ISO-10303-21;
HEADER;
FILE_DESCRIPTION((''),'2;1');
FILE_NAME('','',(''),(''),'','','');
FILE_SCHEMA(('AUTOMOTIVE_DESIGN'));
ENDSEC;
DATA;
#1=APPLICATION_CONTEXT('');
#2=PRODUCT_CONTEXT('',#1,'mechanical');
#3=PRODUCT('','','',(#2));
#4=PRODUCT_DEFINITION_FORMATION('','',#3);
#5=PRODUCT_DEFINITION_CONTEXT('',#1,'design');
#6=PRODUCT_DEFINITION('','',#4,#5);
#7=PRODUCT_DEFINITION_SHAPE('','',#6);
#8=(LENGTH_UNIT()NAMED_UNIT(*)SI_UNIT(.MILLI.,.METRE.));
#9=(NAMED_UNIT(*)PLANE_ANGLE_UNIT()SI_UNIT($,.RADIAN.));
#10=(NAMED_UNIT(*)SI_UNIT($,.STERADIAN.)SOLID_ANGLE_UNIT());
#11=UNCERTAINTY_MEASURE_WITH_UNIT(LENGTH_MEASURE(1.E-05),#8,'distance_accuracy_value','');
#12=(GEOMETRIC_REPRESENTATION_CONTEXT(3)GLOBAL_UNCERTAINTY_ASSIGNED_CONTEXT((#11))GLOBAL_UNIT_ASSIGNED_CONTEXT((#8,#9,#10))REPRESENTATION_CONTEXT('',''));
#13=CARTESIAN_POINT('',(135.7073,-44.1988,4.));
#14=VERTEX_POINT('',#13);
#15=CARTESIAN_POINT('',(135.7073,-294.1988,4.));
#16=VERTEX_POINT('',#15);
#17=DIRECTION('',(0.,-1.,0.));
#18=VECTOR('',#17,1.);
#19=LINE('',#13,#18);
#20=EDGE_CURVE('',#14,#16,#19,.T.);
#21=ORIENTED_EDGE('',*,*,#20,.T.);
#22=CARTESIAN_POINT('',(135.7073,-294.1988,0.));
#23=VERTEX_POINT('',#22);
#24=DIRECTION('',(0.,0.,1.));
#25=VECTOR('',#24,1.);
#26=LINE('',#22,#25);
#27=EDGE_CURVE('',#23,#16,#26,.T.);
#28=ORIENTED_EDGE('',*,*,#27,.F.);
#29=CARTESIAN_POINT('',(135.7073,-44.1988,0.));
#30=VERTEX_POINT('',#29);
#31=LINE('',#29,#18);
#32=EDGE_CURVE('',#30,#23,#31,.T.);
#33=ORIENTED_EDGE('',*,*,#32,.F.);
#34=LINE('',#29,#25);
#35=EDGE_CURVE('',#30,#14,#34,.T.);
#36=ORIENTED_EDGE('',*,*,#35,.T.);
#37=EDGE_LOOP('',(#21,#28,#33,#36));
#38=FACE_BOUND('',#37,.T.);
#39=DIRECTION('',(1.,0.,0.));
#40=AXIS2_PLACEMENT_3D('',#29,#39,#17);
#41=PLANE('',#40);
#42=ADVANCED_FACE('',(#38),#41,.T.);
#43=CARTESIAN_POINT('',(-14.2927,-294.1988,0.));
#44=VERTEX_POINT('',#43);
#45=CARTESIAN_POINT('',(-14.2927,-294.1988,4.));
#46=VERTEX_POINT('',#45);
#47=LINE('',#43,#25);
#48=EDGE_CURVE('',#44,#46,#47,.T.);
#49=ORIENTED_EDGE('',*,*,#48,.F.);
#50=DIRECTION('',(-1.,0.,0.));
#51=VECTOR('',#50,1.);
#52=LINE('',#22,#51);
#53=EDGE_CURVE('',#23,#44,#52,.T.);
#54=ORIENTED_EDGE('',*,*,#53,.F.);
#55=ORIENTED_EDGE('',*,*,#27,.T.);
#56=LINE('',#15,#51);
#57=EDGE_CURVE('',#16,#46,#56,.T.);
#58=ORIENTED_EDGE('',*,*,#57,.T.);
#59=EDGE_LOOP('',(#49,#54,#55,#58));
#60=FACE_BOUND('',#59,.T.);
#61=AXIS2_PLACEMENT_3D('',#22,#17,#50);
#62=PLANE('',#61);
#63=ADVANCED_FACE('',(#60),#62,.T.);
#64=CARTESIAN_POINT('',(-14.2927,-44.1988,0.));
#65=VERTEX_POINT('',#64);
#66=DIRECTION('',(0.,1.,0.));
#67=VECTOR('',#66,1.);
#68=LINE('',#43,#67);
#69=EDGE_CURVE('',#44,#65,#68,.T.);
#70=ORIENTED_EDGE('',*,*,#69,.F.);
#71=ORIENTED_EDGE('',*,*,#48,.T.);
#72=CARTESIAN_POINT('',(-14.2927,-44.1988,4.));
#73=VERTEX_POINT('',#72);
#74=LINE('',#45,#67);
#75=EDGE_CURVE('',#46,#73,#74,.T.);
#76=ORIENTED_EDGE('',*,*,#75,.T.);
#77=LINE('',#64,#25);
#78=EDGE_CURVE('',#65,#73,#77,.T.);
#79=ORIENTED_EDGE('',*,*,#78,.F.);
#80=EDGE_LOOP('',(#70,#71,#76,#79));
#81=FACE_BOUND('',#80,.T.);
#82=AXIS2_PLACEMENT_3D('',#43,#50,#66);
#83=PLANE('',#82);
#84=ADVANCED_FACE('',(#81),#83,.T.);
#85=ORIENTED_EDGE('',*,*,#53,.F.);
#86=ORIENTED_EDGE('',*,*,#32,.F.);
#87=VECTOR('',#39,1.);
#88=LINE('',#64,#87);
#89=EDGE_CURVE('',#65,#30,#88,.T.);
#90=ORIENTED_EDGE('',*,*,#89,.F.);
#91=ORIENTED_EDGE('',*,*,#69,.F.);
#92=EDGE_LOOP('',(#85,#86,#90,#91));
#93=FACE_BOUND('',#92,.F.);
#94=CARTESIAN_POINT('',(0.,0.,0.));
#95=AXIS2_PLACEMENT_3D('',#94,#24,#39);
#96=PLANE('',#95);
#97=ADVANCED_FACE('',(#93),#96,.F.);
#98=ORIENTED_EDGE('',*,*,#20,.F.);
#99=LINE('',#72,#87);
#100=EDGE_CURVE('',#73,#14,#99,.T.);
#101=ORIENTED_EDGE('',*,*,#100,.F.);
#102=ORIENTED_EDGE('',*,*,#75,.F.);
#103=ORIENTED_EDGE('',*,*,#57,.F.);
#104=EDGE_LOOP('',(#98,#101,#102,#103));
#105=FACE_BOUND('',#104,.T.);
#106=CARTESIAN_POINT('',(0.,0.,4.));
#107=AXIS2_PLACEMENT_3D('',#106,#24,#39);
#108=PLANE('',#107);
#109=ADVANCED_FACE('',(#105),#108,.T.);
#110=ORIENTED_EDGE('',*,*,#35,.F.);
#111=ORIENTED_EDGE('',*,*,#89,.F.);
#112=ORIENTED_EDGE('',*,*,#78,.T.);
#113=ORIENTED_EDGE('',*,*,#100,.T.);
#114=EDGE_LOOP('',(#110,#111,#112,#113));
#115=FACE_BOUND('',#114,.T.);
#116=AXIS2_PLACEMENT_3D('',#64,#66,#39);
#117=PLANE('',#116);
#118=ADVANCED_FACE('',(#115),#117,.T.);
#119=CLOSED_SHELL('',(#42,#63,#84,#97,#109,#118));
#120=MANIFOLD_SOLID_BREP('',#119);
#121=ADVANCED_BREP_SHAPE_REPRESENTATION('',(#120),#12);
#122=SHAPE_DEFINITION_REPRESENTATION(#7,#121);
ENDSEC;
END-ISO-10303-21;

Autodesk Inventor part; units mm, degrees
ref_plane "YZ Plane" through (0, 0, 0) normal (1, 0, 0) x (0, 1, 0)
ref_plane "XZ Plane" through (0, 0, 0) normal (0, 1, 0) x (-1, 0, 0)
ref_plane "XY Plane" through (0, 0, 0) normal (0, 0, 1) x (1, 0, 0)
sketch "Sketch1" plane through (0, 0, 0) normal (0, 0, 1) x (1, 0, 0)
  line L0 (-14.2927, -44.1988) -> (135.7073, -44.1988)
  line L1 (135.7073, -44.1988) -> (135.7073, -294.1988)
  line L2 (135.7073, -294.1988) -> (-14.2927, -294.1988)
  line L3 (-14.2927, -294.1988) -> (-14.2927, -44.1988)
  point P0 (0, 0)
  dimension "d0" = 150
  dimension "d1" = 250
extrude "Extrusion1" add sketch "Sketch1" along normal blind 4
properties part number "CNCM_WOOD_4mm_Sorting_line_base_plate" material "Wood (Birch)"
